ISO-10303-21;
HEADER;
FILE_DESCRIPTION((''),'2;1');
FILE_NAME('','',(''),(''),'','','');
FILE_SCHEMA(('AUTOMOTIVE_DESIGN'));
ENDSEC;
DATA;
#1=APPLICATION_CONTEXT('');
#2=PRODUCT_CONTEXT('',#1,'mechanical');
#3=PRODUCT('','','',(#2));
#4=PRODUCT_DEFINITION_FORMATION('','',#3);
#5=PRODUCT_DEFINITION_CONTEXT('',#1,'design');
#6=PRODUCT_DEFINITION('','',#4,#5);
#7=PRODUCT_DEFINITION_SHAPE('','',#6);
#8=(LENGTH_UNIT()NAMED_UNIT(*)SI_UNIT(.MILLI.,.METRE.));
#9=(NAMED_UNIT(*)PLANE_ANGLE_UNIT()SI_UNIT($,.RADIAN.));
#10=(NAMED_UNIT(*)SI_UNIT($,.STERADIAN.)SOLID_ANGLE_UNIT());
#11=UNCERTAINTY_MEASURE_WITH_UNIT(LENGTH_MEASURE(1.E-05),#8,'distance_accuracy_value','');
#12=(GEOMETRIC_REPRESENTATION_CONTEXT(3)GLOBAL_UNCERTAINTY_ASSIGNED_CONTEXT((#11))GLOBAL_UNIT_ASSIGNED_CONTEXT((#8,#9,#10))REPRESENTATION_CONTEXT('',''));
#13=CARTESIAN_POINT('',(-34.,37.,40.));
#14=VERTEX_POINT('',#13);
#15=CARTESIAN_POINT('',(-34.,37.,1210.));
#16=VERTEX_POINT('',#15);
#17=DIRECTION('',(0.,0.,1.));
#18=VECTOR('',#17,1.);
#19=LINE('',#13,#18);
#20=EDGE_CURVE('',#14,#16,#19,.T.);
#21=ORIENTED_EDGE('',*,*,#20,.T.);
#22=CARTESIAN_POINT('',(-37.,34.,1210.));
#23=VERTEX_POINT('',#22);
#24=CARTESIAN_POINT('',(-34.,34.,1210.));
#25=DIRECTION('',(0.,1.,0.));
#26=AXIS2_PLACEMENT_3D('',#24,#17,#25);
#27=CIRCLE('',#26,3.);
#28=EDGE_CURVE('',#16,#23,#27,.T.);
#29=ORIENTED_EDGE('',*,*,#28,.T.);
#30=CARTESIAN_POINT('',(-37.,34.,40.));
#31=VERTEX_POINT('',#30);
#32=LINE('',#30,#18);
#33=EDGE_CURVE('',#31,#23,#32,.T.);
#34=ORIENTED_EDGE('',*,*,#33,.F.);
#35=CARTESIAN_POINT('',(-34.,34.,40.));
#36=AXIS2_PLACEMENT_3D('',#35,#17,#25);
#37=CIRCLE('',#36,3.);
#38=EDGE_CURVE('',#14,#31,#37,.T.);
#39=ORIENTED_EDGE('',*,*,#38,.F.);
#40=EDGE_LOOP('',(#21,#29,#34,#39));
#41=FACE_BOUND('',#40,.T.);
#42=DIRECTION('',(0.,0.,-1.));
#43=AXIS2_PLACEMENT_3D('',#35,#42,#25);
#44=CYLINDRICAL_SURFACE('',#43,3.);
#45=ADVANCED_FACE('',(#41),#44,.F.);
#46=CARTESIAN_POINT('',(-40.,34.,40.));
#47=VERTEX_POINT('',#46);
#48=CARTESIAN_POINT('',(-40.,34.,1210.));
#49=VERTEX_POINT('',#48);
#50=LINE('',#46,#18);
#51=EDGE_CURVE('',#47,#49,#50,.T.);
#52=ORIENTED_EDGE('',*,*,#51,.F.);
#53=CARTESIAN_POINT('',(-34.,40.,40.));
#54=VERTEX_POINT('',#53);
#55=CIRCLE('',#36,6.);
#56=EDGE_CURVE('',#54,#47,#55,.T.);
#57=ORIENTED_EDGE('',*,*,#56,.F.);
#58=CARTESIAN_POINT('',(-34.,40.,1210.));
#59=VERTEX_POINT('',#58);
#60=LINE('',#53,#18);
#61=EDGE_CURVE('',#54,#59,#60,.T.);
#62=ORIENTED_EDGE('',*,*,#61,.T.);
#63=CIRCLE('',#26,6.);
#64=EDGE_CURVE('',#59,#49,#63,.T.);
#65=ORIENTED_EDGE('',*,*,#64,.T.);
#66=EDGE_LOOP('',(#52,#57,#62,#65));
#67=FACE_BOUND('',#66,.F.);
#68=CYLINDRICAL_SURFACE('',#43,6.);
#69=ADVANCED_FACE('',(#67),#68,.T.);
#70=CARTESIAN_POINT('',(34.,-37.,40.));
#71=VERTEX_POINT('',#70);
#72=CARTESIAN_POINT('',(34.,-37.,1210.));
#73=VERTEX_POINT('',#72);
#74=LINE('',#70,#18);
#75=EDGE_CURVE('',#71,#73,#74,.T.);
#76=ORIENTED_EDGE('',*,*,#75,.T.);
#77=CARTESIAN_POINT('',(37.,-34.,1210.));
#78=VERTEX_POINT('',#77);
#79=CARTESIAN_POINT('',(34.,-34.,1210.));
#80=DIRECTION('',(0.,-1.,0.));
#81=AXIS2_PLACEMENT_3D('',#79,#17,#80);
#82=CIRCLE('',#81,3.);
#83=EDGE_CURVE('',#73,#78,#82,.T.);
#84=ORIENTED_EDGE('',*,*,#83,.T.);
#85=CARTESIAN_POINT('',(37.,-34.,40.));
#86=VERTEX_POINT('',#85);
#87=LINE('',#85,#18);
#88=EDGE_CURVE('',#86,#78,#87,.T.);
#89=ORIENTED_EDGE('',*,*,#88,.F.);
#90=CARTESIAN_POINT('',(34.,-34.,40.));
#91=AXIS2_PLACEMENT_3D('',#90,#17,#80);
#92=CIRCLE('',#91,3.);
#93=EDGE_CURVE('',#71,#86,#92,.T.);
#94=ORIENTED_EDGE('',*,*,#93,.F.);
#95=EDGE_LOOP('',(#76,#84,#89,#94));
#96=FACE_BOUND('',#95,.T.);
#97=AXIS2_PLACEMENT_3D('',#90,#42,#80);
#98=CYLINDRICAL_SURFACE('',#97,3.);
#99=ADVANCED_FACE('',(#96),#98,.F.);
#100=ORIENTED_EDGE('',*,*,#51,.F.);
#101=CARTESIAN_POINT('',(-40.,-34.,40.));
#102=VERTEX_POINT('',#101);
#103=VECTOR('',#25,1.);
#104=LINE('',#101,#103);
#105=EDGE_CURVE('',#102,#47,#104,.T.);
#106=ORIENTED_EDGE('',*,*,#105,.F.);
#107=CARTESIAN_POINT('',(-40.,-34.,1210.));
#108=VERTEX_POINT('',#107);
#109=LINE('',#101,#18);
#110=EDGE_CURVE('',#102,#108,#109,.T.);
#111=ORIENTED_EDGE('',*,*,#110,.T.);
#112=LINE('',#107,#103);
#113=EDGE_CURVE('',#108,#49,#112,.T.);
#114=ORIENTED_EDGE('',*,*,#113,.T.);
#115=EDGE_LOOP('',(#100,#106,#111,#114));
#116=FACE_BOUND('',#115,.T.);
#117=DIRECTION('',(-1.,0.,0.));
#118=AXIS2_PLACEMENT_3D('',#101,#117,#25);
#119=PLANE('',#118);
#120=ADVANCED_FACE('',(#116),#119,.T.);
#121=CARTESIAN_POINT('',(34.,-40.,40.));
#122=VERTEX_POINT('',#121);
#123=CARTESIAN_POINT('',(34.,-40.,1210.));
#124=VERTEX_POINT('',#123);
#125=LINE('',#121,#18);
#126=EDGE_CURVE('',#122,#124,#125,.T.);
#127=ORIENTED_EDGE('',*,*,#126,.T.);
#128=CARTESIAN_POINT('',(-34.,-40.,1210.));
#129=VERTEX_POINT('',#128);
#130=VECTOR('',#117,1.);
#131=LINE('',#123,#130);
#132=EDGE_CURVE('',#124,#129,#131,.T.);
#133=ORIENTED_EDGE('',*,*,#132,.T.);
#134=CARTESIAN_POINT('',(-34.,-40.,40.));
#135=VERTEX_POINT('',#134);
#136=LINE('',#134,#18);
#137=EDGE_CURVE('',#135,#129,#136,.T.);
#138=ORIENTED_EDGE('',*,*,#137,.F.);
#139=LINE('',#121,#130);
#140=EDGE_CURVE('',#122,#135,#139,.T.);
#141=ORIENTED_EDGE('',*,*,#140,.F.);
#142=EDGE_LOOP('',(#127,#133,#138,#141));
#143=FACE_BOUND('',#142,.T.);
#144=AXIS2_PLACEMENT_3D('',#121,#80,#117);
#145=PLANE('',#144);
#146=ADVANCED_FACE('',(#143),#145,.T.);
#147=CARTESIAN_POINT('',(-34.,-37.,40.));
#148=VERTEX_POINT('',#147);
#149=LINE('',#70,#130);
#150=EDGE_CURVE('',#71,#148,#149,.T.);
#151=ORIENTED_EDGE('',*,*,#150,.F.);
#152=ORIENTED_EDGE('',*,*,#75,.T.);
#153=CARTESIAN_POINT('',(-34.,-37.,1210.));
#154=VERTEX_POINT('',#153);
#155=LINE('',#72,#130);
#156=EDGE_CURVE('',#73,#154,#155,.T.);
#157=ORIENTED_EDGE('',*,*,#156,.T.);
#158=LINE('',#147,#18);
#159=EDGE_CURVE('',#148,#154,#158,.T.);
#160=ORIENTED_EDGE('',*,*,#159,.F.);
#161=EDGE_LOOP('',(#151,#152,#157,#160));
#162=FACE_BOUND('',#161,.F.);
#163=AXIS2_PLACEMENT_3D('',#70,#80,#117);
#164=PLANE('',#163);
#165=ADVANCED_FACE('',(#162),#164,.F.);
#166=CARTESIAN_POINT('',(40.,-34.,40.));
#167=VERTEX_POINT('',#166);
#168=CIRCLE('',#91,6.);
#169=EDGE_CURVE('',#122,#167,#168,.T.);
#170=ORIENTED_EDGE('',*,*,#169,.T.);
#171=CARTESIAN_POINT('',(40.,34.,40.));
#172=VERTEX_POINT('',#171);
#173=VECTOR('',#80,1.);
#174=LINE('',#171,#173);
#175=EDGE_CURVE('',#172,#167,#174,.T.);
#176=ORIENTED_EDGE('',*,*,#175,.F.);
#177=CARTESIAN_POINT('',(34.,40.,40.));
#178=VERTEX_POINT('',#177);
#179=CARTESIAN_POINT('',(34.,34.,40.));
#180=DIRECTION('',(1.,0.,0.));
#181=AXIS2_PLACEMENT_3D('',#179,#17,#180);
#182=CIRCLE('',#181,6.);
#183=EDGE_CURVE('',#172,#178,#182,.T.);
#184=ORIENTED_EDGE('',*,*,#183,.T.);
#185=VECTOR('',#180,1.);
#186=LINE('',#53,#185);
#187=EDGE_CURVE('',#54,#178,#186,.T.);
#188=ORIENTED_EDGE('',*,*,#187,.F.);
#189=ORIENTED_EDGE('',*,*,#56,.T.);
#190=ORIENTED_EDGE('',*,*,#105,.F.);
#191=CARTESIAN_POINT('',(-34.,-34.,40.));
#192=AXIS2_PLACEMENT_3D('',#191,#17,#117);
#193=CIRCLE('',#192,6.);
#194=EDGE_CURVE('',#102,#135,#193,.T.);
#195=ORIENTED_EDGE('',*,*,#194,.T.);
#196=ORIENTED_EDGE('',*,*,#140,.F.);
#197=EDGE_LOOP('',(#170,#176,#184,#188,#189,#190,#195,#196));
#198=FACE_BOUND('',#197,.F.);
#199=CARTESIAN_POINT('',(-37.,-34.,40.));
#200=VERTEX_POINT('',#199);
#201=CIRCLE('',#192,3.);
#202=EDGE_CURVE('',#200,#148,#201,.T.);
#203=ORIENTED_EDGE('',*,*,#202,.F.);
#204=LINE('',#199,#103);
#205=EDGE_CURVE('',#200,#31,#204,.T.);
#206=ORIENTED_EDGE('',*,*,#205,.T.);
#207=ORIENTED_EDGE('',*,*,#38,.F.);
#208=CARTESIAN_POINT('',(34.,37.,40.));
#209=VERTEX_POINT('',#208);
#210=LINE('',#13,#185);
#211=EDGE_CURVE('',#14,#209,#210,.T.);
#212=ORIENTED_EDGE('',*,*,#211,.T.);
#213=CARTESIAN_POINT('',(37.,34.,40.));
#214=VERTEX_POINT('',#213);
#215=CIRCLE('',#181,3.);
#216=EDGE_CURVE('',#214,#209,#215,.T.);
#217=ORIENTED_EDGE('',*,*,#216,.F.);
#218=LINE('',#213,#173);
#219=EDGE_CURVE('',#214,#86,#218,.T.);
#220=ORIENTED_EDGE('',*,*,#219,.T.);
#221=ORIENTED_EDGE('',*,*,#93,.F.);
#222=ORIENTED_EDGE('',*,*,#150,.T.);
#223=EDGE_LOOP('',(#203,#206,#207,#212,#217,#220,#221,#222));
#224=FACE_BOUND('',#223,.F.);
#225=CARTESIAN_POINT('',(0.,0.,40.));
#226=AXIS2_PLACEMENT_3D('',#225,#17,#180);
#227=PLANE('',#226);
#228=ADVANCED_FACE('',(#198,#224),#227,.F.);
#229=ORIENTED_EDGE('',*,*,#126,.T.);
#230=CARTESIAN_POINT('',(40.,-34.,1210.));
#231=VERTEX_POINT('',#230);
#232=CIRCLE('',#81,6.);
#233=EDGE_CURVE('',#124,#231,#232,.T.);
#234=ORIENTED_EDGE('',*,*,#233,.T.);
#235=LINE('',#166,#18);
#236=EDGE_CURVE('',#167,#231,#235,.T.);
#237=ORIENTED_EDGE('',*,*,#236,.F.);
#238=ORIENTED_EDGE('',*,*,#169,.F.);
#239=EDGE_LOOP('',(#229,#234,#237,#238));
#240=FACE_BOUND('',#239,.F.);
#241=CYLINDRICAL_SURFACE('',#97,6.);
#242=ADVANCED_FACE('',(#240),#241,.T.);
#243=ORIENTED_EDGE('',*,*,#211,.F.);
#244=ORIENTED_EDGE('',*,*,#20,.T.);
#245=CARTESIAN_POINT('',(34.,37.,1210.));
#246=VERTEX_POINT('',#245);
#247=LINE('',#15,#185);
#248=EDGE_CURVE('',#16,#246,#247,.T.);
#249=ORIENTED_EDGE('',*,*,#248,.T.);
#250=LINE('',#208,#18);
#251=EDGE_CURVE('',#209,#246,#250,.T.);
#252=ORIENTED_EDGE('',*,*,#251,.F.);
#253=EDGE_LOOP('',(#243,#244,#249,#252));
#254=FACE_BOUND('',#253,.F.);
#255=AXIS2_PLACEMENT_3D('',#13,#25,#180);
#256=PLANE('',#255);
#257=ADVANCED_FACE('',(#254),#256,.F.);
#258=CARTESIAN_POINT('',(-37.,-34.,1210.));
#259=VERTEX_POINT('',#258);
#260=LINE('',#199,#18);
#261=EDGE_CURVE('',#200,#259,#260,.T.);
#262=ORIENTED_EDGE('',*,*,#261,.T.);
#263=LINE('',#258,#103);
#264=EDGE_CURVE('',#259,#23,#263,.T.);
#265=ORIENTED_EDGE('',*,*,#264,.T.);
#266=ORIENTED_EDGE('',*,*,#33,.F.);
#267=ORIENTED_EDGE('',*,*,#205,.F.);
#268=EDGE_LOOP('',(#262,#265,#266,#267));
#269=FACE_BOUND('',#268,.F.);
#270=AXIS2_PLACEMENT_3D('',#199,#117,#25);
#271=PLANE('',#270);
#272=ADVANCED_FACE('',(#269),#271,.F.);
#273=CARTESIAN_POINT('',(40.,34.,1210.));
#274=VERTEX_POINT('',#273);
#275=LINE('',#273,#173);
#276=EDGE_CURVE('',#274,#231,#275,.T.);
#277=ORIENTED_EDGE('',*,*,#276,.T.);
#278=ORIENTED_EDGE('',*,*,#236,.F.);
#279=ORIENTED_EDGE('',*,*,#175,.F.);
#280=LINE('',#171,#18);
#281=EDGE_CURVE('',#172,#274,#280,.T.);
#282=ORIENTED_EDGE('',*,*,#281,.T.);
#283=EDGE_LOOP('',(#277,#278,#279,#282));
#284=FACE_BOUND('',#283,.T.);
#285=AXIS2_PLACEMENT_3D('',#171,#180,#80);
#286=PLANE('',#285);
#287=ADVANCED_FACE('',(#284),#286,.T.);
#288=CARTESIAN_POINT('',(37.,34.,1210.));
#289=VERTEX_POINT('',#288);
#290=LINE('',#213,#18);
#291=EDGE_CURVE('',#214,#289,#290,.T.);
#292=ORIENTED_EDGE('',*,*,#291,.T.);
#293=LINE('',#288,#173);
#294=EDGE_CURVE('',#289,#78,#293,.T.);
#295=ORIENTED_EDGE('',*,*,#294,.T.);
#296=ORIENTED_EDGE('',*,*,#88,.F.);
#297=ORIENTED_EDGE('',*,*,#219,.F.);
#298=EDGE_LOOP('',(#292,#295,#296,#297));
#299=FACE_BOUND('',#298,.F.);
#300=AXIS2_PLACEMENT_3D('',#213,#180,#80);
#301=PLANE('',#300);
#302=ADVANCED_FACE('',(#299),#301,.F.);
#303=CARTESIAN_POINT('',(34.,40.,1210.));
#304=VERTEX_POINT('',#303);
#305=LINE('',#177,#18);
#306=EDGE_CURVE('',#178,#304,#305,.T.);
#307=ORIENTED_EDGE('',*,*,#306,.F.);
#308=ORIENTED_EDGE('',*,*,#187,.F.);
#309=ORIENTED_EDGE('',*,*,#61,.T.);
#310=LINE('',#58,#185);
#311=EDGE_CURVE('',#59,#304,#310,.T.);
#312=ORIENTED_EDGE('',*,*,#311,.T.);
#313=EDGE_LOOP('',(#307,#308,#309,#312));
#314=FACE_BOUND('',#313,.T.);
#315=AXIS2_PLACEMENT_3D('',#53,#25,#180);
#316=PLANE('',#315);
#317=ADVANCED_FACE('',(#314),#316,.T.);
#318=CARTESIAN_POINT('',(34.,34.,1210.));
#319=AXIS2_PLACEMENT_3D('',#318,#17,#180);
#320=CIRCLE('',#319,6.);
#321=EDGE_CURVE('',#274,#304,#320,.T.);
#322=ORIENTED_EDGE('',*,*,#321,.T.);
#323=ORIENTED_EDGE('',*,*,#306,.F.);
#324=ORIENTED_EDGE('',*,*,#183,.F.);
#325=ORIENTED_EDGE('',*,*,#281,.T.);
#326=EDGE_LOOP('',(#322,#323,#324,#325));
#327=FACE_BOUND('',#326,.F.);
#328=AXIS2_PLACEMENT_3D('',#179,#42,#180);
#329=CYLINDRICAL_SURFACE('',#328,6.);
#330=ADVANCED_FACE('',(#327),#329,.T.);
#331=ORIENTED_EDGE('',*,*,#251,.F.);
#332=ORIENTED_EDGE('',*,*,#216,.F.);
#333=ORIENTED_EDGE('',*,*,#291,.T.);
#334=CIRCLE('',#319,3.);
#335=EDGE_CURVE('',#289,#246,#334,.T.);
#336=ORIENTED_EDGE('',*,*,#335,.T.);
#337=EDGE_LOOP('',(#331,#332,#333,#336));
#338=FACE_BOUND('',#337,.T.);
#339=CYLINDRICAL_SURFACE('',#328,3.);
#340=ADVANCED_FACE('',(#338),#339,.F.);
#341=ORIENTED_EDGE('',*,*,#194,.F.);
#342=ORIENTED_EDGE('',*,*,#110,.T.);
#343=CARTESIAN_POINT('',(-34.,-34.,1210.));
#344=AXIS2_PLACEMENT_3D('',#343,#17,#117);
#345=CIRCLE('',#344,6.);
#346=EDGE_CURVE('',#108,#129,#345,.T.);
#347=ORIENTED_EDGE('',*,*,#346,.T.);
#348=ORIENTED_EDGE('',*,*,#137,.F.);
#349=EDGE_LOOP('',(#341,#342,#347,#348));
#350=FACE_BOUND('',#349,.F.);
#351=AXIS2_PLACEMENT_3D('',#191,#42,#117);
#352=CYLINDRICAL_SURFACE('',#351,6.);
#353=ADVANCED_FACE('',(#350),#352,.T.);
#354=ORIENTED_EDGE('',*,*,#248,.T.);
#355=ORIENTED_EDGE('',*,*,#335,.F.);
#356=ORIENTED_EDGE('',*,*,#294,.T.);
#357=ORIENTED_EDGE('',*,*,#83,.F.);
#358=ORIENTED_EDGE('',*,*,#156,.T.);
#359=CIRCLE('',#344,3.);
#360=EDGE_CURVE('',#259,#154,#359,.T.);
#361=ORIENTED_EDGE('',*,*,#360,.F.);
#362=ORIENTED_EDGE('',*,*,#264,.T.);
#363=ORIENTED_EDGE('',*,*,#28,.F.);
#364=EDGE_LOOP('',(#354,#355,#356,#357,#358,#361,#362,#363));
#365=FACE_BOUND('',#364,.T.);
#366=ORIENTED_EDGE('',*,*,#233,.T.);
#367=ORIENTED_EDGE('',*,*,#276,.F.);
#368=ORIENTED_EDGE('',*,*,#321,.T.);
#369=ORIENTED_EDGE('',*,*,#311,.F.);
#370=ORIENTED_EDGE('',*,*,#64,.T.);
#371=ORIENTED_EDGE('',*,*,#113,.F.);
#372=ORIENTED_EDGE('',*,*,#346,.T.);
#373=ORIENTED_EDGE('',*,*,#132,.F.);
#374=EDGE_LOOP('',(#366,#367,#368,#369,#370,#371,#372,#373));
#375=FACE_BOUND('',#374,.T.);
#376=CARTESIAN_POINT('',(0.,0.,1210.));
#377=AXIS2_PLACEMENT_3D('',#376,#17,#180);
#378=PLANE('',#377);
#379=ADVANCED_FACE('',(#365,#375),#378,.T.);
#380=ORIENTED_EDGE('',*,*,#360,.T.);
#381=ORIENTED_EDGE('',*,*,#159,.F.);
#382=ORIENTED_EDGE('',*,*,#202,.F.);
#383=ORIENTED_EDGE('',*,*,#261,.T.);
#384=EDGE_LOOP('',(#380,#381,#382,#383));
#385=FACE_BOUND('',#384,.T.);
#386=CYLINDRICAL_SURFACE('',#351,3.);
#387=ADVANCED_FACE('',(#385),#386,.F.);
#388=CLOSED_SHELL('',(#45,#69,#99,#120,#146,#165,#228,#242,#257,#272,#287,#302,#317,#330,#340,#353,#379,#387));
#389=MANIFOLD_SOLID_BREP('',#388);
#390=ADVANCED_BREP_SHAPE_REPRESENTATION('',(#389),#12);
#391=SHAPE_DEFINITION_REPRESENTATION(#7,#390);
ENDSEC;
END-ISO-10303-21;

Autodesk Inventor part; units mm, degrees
ref_plane "YZ Plane" through (0, 0, 0) normal (1, 0, 0) x (0, 1, 0)
ref_plane "Start Plane" through (0, 0, 40) normal (0, 0, 1) x (1, 0, 0)
ref_plane "End Plane" through (0, 0, 1210) normal (0, 0, 1) x (1, 0, 0)
sketch "Sketch" plane through (0, 0, 0) normal (0, 0, 1) x (1, 0, 0)
  line L0 (-40, -34) -> (-40, 34)
  line L1 (-34, 40) -> (34, 40)
  line L2 (40, 34) -> (40, -34)
  line L3 (34, -40) -> (-34, -40)
  arc A0 (-40, -34) -> (-34, -40) centre (-34, -34) ccw
  arc A1 (40, 34) -> (34, 40) centre (34, 34) ccw
  arc A2 (-34, 40) -> (-40, 34) centre (-34, 34) ccw
  arc A3 (34, -40) -> (40, -34) centre (34, -34) ccw
  arc A4 (-34, 37) -> (-37, 34) centre (-34, 34) ccw
  line L4 (-34, 37) -> (34, 37)
  arc A5 (37, 34) -> (34, 37) centre (34, 34) ccw
  line L5 (37, 34) -> (37, -34)
  arc A6 (34, -37) -> (37, -34) centre (34, -34) ccw
  line L6 (34, -37) -> (-34, -37)
  arc A7 (-37, -34) -> (-34, -37) centre (-34, -34) ccw
  line L7 (-37, -34) -> (-37, 34)
  line L8 (0, 57.7397) -> (0, -57.7397) construction
  line L9 (-57.7397, 0) -> (57.7397, 0) construction
  dimension "d7" = 6
  dimension "d9" = 80
  dimension "d11" = 80
  dimension "d12" = 3
  dimension "d15" = 40
  dimension "d16" = 40
extrude "Body" add sketch "Sketch" along normal up to surface (1170 mm away) from surface at 40
sketch "Sketch3" plane through (0, 0, 0) normal (0, 0, 1) x (1, 0, 0)
  line L0 (0, 0) -> (10, 0)
ref_plane "Work Plane3" through (0, 0, 0) normal (0, -1, 0) x (1, 0, 0)
sketch "Sketch4" plane through (0, 0, 0) normal (0, -1, 0) x (1, 0, 0)
  line L0 (-2, 40) -> (12, 40) projected
  line L1 (-2, 1210) -> (12, 1210) projected
  dimension "d18" = 1170
equation "\"d7\" = G_IR"
equation "\"d9\" = G_W"
equation "\"d11\" = G_H"
equation "\"d12\" = G_T"
equation "\"d15\" = 0.5 * d9"
equation "\"d16\" = 0.5 * d11"
equation "\"d3\" = G_L"
equation "\"G_W\" = 80"
equation "\"G_H\" = 80"
equation "\"G_T\" = 3"
equation "\"G_IR\" = 6"
equation "\"G_L\" = d18"
properties part number "ISO 10799-2 - 80x80x3 - 1170" material "Steel, Mild"
